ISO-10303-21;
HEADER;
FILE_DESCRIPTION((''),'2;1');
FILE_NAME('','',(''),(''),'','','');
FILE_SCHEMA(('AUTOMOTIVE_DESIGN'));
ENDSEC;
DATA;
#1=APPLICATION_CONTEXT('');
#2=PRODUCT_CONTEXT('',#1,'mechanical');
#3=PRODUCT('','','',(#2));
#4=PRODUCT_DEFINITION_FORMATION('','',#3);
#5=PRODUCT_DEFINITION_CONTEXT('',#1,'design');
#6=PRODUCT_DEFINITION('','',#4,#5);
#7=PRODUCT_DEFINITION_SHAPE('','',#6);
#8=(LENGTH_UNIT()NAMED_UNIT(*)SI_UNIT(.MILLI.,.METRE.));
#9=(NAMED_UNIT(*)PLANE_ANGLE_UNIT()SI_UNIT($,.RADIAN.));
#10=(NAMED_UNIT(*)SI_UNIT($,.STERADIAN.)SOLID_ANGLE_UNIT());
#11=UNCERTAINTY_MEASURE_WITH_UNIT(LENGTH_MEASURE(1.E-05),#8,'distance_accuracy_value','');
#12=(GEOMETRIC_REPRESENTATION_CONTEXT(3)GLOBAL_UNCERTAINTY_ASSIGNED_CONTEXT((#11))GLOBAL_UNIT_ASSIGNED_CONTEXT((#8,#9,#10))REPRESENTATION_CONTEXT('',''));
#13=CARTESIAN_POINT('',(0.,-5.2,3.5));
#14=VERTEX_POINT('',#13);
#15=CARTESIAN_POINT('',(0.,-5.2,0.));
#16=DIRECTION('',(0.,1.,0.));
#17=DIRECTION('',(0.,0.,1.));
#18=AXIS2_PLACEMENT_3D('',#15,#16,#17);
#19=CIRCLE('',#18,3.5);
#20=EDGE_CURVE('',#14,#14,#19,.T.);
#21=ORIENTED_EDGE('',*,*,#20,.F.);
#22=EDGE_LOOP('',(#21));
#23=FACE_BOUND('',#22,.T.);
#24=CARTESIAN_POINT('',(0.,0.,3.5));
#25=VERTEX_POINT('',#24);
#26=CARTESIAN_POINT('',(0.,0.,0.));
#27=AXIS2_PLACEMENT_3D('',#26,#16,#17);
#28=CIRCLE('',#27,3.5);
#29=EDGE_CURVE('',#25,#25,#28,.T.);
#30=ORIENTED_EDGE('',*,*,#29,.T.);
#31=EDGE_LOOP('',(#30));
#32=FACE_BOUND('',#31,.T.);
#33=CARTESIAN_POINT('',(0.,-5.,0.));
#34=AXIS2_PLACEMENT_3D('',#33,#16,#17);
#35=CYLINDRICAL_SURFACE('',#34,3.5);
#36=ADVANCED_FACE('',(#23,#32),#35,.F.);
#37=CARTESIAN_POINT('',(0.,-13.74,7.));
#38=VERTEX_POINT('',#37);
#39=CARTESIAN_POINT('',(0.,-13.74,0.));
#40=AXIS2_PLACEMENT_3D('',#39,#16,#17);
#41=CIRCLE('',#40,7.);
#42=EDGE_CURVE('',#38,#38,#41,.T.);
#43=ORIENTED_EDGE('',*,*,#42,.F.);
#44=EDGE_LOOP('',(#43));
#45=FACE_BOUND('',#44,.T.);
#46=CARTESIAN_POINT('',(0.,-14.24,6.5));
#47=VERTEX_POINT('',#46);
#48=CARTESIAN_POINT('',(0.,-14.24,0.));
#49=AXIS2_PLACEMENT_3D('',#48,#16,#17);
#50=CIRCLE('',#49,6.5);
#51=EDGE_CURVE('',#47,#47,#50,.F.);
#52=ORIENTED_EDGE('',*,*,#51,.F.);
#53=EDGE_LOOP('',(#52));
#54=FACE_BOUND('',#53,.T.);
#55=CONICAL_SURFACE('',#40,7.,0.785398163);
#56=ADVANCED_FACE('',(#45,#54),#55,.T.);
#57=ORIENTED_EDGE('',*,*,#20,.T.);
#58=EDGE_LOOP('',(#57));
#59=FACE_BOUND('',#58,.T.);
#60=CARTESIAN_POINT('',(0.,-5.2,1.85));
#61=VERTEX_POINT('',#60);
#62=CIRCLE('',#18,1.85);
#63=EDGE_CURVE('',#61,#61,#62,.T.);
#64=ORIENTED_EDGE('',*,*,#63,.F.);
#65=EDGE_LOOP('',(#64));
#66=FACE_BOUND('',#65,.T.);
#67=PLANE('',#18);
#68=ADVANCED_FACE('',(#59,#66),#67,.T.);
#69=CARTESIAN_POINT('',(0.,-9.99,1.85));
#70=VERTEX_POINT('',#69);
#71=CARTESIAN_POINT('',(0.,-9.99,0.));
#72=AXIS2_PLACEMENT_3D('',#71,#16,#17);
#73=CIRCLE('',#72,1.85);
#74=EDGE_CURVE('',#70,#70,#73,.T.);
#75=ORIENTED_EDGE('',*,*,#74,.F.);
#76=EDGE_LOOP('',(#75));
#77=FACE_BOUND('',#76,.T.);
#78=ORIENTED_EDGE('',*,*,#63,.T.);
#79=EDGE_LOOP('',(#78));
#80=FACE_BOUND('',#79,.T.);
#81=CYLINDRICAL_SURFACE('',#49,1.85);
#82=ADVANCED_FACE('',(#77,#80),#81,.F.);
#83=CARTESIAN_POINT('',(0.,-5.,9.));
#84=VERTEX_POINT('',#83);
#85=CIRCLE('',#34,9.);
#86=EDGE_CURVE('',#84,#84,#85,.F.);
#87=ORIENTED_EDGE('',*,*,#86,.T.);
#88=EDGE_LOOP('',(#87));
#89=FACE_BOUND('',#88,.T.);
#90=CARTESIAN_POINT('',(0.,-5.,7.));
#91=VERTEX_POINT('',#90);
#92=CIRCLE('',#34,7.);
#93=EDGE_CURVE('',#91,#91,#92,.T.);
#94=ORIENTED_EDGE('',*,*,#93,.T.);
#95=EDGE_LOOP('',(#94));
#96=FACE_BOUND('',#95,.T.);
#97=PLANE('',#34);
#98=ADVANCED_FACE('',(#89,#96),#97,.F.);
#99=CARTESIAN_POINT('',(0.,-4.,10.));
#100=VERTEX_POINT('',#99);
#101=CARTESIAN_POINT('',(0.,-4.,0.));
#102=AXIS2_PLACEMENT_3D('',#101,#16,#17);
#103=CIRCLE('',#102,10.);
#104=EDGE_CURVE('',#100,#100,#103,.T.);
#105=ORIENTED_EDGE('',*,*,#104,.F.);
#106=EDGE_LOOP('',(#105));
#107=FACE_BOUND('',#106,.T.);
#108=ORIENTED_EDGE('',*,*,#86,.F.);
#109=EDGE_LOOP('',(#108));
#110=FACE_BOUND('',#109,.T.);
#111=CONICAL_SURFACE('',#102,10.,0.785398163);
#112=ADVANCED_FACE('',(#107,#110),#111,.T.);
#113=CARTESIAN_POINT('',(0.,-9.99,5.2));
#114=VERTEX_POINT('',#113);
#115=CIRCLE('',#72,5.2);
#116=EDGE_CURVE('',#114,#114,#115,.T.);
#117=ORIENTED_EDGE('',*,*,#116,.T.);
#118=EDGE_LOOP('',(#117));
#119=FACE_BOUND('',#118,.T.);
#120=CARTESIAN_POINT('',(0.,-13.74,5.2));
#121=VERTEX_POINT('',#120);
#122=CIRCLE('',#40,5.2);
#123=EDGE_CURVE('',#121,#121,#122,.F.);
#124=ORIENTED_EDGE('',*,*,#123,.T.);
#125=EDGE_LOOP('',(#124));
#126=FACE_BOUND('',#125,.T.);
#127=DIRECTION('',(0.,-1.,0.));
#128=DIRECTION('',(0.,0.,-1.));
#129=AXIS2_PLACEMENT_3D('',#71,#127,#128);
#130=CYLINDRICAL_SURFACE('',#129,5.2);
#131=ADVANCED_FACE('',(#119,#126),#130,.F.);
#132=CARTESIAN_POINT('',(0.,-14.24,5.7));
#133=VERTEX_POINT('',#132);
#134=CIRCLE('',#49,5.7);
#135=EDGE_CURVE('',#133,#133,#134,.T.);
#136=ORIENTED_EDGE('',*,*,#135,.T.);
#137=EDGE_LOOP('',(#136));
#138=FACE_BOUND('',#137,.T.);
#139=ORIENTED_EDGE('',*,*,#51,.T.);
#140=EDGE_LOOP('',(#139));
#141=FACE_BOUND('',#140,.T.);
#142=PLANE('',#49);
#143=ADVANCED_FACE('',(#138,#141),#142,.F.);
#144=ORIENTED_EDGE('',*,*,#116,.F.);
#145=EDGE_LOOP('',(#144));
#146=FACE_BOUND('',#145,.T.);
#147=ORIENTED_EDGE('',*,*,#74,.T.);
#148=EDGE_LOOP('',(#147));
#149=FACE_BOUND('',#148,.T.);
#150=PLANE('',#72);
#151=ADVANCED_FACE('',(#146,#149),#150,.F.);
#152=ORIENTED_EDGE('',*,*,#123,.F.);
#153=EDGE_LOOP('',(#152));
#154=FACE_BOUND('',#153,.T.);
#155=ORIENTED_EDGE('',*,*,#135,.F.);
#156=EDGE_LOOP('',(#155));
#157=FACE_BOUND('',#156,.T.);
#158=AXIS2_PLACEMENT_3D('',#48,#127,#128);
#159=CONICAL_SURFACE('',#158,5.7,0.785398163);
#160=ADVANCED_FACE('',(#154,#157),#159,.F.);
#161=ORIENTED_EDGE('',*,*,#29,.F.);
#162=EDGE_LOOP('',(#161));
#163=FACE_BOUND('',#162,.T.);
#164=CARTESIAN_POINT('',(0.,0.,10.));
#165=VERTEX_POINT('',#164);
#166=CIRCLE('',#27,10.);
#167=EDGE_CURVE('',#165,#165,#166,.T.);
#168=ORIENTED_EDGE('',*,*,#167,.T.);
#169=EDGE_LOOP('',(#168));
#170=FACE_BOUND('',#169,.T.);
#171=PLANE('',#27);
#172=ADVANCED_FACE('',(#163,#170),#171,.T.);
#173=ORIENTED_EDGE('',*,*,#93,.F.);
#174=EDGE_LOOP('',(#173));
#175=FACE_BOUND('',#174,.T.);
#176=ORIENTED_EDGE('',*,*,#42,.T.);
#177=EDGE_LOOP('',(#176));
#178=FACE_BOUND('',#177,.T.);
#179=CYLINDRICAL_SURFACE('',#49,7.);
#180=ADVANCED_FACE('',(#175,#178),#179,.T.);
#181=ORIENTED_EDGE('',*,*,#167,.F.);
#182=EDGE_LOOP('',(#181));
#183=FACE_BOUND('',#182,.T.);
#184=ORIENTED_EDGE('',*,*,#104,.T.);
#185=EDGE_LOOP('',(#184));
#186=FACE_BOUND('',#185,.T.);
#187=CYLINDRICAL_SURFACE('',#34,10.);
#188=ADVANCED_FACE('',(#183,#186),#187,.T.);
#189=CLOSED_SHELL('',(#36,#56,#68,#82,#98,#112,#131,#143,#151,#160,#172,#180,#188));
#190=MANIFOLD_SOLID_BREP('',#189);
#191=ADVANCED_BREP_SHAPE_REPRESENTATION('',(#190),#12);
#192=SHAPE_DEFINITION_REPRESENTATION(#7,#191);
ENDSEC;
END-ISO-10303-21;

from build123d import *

# Parameters (mm, degrees)
SKETCH3_R           = 10
SKETCH3_R_2         = 7
BASE_DEPTH          = 5
SKETCH3_2_R         = 7
BOSS_EXTRUDE4_DEPTH = 14.24
SKETCH4_R           = 3.3
SKETCH4_R_2         = 1.65
CUT_EXTRUDE4_DEPTH  = 5
CUT_EXTRUDE5_START  = -9.99
SKETCH4_3_R         = 5
SKETCH4_3_R_2       = 3.3
SKETCH4_3_R_3       = 1.65
CUT_EXTRUDE5_DEPTH  = 4.25
SKETCH4_4_R         = 1.65
CUT_EXTRUDE6_DEPTH  = 21.069319869
F_2_MOVE_FACE1_BY   = 0.2
F_2_MOVE_FACE1_2_BY = 0.2
F_2_MOVE_FACE1_3_BY = 0.2
F_2_MOVE_FACE1_4_BY = 0.2
CHAMFER1_SIZE       = 0.5
CHAMFER2_SIZE       = 1


with BuildPart() as part:
    # Sketch3 → Base (new body)
    with BuildSketch(Plane(origin=(0, 0, 0), x_dir=(1, 0, 0), z_dir=(0, 1, 0))):
        with Locations(Location((0, 0, 0), (0, 0, 270))):
            Circle(SKETCH3_R)
        with Locations(Location((0, 0, 0), (0, 0, 270))):
            Circle(SKETCH3_R_2, mode=Mode.SUBTRACT)
    extrude(amount=-BASE_DEPTH)

    # Sketch3<2> → Boss-Extrude4 (add)
    with BuildSketch(Plane(origin=(0, 0, 0), x_dir=(1, 0, 0), z_dir=(0, 1, 0))):
        with Locations(Location((0, 0, 0), (0, 0, 270))):
            Circle(SKETCH3_2_R)
    extrude(amount=-BOSS_EXTRUDE4_DEPTH)

    # Sketch4 → Cut-Extrude4 (cut)
    with BuildSketch(Plane(origin=(0, 0, 0), x_dir=(1, 0, 0), z_dir=(0, 1, 0))):
        with Locations(Location((0, 0, 0), (0, 0, 270))):
            Circle(SKETCH4_R)
        with Locations(Location((0, 0, 0), (0, 0, 270))):
            Circle(SKETCH4_R_2, mode=Mode.SUBTRACT)
    extrude(amount=-CUT_EXTRUDE4_DEPTH, mode=Mode.SUBTRACT)

    # Sketch4<3> → Cut-Extrude5 (cut)
    # profile 1 of 3: a face of its own
    with BuildSketch(Plane(origin=(0, 0, 0), x_dir=(1, 0, 0), z_dir=(0, 1, 0)).offset(CUT_EXTRUDE5_START)):
        with Locations(Location((0, 0, 0), (0, 0, 270))):
            Circle(SKETCH4_3_R)
        with Locations(Location((0, 0, 0), (0, 0, 270))):
            Circle(SKETCH4_3_R_2, mode=Mode.SUBTRACT)
    # profile 2 of 3: a face of its own
    with BuildSketch(Plane(origin=(0, 0, 0), x_dir=(1, 0, 0), z_dir=(0, 1, 0)).offset(CUT_EXTRUDE5_START)):
        with Locations(Location((0, 0, 0), (0, 0, 270))):
            Circle(SKETCH4_3_R_2)
        with Locations(Location((0, 0, 0), (0, 0, 270))):
            Circle(SKETCH4_3_R_3, mode=Mode.SUBTRACT)
    # profile 3 of 3: a face of its own
    with BuildSketch(Plane(origin=(0, 0, 0), x_dir=(1, 0, 0), z_dir=(0, 1, 0)).offset(CUT_EXTRUDE5_START)):
        with Locations(Location((0, 0, 0), (0, 0, 270))):
            Circle(SKETCH4_3_R_3)
    extrude(amount=-CUT_EXTRUDE5_DEPTH, mode=Mode.SUBTRACT)

    # Sketch4<4> → Cut-Extrude6 (cut, through all)
    with BuildSketch(Plane(origin=(0, 0, 0), x_dir=(1, 0, 0), z_dir=(0, 1, 0))):
        with Locations(Location((0, 0, 0), (0, 0, 270))):
            Circle(SKETCH4_4_R)
    extrude(amount=-CUT_EXTRUDE6_DEPTH, mode=Mode.SUBTRACT)

    # .2 Move Face1: a curved face moved inward by 0.2
    add(Solid.thicken(part.faces().sort_by_distance((0, -12.115, -5))[0], -F_2_MOVE_FACE1_BY), mode=Mode.SUBTRACT)

    # 2 Move Face1 2: a curved face moved inward by 0.2
    add(Solid.thicken(part.faces().sort_by_distance((0, -7.495, -1.65))[0], -F_2_MOVE_FACE1_2_BY), mode=Mode.SUBTRACT)

    # 2 Move Face1 3: a face moved inward by 0.2
    extrude(part.faces().sort_by_distance((0, -5, 2.64))[0], amount=F_2_MOVE_FACE1_3_BY, dir=(0, -1, 0), mode=Mode.SUBTRACT)

    # 2 Move Face1 4: a curved face moved inward by 0.2
    add(Solid.thicken(part.faces().sort_by_distance((0, -2.5, -3.3))[0], -F_2_MOVE_FACE1_4_BY), mode=Mode.SUBTRACT)

    # Chamfer1
    chamfer1_edges = [part.edges().sort_by_distance(p)[0] for p in [
        (0, -14.24, -7),
        (0, -14.24, -5.2),
    ]]
    chamfer(chamfer1_edges, length=CHAMFER1_SIZE)

    # Chamfer2
    chamfer2_edges = [part.edges().sort_by_distance(p)[0] for p in [
        (0, -5, -10),
    ]]
    chamfer(chamfer2_edges, length=CHAMFER2_SIZE)


solid = part.part
